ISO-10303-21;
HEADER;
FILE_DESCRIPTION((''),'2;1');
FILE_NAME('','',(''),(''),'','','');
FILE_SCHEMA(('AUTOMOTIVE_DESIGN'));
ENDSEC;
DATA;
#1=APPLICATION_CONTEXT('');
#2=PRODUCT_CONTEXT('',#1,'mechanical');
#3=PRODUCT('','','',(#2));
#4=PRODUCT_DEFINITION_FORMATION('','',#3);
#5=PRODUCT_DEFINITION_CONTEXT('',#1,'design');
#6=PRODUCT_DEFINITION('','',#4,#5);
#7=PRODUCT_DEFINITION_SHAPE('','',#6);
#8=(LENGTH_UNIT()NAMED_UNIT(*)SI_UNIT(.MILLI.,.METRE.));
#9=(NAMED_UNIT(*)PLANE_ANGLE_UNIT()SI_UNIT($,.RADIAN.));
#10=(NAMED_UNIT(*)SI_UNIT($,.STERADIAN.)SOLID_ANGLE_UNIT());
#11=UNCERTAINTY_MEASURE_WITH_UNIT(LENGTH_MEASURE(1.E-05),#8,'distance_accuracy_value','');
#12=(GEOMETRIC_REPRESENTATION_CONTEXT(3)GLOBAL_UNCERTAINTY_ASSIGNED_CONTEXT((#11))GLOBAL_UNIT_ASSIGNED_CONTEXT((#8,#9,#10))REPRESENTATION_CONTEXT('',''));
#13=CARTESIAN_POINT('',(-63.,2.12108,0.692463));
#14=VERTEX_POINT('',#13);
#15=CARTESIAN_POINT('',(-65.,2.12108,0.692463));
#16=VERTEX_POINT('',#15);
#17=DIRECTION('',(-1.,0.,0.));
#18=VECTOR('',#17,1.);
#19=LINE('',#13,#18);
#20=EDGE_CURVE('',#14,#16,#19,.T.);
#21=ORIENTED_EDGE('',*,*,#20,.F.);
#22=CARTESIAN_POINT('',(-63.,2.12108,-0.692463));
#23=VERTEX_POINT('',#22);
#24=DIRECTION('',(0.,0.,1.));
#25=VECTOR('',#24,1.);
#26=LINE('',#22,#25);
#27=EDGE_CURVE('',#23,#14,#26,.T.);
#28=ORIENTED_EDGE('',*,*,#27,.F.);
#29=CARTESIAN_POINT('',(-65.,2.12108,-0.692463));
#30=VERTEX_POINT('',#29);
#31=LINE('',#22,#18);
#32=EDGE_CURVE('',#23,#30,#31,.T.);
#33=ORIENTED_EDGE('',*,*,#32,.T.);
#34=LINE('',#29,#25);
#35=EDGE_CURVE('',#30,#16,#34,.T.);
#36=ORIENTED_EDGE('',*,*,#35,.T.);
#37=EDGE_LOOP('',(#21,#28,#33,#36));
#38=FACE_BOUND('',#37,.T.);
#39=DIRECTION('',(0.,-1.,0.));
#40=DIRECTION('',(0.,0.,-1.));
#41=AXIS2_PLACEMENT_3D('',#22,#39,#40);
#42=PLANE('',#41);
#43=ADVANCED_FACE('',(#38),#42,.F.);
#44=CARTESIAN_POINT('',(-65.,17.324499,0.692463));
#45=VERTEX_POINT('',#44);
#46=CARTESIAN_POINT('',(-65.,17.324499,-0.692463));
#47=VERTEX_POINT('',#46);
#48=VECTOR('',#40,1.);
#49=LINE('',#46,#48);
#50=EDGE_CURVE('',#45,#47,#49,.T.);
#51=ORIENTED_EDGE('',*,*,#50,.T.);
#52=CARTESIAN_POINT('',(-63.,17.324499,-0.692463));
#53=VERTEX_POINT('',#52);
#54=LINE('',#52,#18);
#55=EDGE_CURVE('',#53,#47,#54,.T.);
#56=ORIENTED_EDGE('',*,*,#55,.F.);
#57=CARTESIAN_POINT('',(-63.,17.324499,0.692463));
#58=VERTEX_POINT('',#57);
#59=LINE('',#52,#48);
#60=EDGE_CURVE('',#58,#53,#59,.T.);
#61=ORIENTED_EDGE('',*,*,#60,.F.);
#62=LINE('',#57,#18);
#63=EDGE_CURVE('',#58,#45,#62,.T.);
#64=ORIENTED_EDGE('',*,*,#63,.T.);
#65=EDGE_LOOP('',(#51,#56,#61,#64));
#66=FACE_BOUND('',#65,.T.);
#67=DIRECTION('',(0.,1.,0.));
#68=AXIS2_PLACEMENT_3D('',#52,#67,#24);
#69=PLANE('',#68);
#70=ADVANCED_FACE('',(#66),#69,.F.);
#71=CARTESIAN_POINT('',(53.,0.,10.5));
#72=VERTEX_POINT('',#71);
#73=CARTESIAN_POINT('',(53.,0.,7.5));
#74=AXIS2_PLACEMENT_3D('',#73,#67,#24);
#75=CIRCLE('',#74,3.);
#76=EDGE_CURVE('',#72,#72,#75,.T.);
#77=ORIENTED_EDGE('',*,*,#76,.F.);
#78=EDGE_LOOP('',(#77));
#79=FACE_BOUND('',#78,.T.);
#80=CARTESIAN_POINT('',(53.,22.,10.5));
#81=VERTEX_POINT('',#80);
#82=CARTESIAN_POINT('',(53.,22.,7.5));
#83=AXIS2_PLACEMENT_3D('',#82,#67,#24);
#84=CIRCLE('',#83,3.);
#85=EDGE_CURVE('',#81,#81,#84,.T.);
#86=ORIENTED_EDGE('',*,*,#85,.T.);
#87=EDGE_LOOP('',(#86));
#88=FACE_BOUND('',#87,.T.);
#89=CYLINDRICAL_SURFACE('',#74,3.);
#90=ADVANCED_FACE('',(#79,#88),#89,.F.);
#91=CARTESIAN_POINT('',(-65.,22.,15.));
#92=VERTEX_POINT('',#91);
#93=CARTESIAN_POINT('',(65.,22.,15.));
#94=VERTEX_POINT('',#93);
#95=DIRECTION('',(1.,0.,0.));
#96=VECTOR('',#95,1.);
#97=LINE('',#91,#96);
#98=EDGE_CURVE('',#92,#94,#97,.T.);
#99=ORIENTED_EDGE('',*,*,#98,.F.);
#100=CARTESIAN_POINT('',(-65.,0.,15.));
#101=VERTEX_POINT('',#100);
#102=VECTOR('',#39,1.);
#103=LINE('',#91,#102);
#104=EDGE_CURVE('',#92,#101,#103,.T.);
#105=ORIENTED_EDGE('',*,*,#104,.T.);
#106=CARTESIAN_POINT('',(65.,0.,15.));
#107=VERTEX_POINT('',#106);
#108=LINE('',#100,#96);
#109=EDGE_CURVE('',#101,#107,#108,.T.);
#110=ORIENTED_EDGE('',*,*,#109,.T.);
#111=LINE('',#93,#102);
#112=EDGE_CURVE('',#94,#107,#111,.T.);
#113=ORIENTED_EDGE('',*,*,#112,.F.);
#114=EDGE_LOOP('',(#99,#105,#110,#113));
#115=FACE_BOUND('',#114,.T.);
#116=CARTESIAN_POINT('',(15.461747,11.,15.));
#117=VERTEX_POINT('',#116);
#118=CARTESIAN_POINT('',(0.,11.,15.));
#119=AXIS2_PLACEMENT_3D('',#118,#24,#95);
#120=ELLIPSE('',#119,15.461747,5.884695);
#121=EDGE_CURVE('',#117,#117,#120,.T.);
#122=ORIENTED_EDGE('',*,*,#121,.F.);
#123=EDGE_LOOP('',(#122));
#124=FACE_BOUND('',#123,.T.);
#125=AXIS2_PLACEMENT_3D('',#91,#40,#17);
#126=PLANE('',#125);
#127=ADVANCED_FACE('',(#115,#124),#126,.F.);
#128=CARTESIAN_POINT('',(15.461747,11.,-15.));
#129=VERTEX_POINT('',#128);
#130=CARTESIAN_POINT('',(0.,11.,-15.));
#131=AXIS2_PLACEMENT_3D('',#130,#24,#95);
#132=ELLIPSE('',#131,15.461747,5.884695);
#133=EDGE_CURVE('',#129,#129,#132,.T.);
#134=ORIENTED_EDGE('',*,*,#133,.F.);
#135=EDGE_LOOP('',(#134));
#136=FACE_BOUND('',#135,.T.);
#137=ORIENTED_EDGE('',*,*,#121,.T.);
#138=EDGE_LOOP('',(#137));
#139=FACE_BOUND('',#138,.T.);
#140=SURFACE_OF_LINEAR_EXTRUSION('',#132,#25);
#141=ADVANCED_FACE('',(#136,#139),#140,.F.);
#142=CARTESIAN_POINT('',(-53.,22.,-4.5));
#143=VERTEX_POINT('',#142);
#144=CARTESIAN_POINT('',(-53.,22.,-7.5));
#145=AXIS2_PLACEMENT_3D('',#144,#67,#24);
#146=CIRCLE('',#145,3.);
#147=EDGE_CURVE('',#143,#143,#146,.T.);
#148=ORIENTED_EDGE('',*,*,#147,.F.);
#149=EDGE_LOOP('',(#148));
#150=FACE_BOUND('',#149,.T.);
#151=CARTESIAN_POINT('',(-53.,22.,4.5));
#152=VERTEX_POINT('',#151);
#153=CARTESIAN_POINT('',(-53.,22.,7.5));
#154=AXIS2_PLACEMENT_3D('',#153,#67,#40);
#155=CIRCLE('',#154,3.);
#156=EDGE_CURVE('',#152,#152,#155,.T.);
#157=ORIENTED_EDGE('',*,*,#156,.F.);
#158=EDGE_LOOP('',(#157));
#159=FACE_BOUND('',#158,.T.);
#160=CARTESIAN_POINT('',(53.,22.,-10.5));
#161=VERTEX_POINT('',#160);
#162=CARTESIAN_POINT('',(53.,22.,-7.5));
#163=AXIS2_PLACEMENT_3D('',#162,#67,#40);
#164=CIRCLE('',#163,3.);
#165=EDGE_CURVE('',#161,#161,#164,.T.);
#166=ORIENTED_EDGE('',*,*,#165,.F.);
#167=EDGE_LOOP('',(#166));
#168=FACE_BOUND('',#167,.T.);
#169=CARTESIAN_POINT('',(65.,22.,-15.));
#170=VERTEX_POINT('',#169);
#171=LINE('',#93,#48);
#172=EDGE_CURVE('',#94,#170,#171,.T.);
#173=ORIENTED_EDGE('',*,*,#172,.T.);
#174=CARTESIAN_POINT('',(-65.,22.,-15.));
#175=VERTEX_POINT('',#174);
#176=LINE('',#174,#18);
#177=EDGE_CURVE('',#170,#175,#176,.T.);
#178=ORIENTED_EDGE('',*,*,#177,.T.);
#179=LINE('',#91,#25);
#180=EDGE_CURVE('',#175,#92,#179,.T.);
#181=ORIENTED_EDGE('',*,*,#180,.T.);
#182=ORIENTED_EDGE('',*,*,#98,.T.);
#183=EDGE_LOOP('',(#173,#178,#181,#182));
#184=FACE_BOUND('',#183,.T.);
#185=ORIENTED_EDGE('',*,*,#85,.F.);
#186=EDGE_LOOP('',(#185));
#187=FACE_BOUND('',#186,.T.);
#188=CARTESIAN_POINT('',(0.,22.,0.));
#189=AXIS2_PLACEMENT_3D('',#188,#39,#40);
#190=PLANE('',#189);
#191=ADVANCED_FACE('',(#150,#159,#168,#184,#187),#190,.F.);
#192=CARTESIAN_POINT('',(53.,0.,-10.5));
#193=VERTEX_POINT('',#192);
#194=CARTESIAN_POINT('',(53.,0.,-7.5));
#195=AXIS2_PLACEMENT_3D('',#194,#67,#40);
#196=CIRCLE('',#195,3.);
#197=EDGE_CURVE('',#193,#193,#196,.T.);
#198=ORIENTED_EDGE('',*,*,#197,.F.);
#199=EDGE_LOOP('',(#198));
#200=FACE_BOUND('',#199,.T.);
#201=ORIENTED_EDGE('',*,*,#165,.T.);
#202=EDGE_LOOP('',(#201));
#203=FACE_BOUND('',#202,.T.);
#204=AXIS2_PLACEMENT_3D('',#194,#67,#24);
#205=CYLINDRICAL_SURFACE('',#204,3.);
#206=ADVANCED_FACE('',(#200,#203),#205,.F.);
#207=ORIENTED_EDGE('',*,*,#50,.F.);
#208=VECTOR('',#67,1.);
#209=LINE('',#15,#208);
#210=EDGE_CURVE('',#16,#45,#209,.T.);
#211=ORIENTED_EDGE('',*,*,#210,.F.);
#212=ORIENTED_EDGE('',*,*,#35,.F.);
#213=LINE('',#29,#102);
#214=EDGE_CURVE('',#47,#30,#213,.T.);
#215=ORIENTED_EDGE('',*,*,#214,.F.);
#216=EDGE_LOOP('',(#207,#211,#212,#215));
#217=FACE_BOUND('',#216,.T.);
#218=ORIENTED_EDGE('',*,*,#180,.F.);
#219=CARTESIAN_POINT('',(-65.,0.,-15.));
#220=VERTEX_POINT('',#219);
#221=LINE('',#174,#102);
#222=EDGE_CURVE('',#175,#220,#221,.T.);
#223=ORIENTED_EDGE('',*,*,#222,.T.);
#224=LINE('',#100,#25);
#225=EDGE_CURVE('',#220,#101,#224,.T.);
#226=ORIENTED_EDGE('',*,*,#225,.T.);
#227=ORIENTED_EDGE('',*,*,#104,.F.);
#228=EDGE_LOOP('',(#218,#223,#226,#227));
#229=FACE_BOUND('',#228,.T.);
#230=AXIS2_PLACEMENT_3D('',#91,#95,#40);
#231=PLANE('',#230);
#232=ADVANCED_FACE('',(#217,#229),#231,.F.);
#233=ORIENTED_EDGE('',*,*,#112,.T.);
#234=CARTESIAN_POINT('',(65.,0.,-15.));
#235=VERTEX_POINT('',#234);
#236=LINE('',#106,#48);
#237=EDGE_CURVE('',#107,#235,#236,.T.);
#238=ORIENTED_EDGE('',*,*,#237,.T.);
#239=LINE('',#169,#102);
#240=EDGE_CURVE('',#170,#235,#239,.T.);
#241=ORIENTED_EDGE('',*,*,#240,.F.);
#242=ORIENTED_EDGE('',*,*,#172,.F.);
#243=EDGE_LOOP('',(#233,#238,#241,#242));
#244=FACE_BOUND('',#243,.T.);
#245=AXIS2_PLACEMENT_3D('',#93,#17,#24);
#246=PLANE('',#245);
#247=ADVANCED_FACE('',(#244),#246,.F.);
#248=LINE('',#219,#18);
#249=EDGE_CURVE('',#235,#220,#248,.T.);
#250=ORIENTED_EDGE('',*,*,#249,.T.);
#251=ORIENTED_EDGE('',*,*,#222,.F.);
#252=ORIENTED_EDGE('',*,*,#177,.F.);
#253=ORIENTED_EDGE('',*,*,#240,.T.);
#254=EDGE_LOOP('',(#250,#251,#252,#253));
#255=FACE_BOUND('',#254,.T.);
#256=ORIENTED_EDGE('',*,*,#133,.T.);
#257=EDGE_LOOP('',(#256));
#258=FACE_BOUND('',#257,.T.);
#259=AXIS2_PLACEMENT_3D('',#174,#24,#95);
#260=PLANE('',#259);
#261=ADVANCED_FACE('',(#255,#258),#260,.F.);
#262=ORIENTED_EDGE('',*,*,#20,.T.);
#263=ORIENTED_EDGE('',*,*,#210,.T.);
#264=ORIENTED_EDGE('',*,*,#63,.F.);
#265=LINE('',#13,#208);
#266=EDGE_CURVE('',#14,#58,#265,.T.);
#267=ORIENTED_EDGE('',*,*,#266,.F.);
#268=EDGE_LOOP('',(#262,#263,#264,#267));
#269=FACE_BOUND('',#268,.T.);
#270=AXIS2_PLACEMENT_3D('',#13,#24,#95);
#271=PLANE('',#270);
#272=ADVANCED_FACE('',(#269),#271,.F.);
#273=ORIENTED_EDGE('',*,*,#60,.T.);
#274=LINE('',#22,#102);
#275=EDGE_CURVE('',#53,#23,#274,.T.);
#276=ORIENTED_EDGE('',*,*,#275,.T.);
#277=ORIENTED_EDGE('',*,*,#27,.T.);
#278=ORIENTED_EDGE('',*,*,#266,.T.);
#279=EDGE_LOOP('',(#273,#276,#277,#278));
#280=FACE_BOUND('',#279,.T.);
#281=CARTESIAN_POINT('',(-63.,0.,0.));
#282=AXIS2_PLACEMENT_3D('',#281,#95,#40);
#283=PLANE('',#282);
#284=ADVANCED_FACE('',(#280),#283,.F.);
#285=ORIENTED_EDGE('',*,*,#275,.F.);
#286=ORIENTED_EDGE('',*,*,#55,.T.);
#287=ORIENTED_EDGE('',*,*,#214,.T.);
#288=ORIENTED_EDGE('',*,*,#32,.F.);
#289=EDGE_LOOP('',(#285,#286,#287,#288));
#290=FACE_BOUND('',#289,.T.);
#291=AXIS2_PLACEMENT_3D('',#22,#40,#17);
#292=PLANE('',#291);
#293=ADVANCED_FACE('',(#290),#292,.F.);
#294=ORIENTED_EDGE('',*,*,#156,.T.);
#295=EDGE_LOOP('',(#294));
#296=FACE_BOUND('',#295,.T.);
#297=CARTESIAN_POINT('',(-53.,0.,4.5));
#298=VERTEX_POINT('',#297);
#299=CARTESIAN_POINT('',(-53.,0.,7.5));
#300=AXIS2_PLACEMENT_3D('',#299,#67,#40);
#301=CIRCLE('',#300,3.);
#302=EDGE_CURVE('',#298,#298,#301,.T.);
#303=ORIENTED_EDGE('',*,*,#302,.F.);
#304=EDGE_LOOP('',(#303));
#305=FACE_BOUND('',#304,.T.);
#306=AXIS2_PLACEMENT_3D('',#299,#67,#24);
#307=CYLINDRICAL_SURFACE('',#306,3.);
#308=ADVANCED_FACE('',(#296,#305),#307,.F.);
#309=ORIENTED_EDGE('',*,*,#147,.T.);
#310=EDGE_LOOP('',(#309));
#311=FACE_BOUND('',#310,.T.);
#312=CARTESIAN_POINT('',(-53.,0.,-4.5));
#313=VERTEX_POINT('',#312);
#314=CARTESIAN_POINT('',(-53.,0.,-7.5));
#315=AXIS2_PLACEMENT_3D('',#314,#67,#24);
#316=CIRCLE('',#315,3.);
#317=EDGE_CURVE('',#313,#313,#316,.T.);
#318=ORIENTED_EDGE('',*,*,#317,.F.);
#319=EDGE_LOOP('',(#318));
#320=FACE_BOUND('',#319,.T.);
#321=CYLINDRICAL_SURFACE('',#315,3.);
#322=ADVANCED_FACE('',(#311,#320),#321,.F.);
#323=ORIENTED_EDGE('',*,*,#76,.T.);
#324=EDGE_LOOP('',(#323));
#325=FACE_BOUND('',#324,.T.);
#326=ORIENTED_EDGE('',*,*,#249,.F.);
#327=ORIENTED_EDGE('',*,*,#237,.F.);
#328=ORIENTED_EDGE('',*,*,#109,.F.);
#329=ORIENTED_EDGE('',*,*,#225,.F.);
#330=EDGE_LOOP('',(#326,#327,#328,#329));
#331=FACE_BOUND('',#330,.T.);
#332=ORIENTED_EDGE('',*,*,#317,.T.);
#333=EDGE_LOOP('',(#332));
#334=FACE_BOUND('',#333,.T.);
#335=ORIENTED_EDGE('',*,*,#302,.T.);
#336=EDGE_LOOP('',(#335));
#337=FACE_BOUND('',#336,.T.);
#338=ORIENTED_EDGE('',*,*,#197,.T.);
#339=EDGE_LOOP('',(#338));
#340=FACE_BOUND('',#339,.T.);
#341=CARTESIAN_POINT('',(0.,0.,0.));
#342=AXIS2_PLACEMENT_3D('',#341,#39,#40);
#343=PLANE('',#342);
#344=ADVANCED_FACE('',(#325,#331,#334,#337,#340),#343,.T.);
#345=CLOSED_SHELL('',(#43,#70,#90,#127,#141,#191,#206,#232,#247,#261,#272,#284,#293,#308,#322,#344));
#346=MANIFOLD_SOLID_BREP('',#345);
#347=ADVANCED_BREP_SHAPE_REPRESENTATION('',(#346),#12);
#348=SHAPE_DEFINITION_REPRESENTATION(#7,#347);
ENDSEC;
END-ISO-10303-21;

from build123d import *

# Parameters (mm, degrees)
SKETCH1_W           = 130
SKETCH1_H           = 30
BOSS_EXTRUDE1_DEPTH = 22
SKETCH2_RX          = 15.461746976
SKETCH2_RY          = 5.884694745
CUT_EXTRUDE1_DEPTH  = 75.893257373
SKETCH3_R           = 3
CUT_EXTRUDE2_DEPTH  = 71.242437461
SKETCH4_W           = 1.384926884
SKETCH4_H           = 15.203419573
CUT_EXTRUDE3_DEPTH  = 2


with BuildPart() as part:
    # Sketch1 → Boss-Extrude1 (new body)
    with BuildSketch(Plane(origin=(0, 0, 0), x_dir=(1, 0, 0), z_dir=(0, 1, 0))):
        Rectangle(SKETCH1_W, SKETCH1_H)
    extrude(amount=BOSS_EXTRUDE1_DEPTH)

    # Sketch2 → Cut-Extrude1 (cut, through all)
    with BuildSketch(Plane.XY.offset(15)):
        with Locations((0, 11)):
            Ellipse(SKETCH2_RX, SKETCH2_RY)
    extrude(amount=-CUT_EXTRUDE1_DEPTH, mode=Mode.SUBTRACT)

    # Sketch3 → Cut-Extrude2 (cut, through all)
    with BuildSketch(Plane(origin=(0, 22, 0), x_dir=(1, 0, 0), z_dir=(0, 1, 0))):
        with Locations(Location((-53, 7.5, 0), (0, 0, 270))):
            Circle(SKETCH3_R)
        with Locations(Location((53, 7.5, 0), (0, 0, 90))):
            Circle(SKETCH3_R)
        with Locations(Location((53, -7.5, 0), (0, 0, 270))):
            Circle(SKETCH3_R)
        with Locations(Location((-53, -7.5, 0), (0, 0, 90))):
            Circle(SKETCH3_R)
    extrude(amount=-CUT_EXTRUDE2_DEPTH, mode=Mode.SUBTRACT)

    # Sketch4 → Cut-Extrude3 (cut)
    with BuildSketch(Plane.ZY.offset(65)):
        with Locations((0, 9.722789651)):
            Rectangle(SKETCH4_W, SKETCH4_H)
    extrude(amount=-CUT_EXTRUDE3_DEPTH, mode=Mode.SUBTRACT)


solid = part.part
